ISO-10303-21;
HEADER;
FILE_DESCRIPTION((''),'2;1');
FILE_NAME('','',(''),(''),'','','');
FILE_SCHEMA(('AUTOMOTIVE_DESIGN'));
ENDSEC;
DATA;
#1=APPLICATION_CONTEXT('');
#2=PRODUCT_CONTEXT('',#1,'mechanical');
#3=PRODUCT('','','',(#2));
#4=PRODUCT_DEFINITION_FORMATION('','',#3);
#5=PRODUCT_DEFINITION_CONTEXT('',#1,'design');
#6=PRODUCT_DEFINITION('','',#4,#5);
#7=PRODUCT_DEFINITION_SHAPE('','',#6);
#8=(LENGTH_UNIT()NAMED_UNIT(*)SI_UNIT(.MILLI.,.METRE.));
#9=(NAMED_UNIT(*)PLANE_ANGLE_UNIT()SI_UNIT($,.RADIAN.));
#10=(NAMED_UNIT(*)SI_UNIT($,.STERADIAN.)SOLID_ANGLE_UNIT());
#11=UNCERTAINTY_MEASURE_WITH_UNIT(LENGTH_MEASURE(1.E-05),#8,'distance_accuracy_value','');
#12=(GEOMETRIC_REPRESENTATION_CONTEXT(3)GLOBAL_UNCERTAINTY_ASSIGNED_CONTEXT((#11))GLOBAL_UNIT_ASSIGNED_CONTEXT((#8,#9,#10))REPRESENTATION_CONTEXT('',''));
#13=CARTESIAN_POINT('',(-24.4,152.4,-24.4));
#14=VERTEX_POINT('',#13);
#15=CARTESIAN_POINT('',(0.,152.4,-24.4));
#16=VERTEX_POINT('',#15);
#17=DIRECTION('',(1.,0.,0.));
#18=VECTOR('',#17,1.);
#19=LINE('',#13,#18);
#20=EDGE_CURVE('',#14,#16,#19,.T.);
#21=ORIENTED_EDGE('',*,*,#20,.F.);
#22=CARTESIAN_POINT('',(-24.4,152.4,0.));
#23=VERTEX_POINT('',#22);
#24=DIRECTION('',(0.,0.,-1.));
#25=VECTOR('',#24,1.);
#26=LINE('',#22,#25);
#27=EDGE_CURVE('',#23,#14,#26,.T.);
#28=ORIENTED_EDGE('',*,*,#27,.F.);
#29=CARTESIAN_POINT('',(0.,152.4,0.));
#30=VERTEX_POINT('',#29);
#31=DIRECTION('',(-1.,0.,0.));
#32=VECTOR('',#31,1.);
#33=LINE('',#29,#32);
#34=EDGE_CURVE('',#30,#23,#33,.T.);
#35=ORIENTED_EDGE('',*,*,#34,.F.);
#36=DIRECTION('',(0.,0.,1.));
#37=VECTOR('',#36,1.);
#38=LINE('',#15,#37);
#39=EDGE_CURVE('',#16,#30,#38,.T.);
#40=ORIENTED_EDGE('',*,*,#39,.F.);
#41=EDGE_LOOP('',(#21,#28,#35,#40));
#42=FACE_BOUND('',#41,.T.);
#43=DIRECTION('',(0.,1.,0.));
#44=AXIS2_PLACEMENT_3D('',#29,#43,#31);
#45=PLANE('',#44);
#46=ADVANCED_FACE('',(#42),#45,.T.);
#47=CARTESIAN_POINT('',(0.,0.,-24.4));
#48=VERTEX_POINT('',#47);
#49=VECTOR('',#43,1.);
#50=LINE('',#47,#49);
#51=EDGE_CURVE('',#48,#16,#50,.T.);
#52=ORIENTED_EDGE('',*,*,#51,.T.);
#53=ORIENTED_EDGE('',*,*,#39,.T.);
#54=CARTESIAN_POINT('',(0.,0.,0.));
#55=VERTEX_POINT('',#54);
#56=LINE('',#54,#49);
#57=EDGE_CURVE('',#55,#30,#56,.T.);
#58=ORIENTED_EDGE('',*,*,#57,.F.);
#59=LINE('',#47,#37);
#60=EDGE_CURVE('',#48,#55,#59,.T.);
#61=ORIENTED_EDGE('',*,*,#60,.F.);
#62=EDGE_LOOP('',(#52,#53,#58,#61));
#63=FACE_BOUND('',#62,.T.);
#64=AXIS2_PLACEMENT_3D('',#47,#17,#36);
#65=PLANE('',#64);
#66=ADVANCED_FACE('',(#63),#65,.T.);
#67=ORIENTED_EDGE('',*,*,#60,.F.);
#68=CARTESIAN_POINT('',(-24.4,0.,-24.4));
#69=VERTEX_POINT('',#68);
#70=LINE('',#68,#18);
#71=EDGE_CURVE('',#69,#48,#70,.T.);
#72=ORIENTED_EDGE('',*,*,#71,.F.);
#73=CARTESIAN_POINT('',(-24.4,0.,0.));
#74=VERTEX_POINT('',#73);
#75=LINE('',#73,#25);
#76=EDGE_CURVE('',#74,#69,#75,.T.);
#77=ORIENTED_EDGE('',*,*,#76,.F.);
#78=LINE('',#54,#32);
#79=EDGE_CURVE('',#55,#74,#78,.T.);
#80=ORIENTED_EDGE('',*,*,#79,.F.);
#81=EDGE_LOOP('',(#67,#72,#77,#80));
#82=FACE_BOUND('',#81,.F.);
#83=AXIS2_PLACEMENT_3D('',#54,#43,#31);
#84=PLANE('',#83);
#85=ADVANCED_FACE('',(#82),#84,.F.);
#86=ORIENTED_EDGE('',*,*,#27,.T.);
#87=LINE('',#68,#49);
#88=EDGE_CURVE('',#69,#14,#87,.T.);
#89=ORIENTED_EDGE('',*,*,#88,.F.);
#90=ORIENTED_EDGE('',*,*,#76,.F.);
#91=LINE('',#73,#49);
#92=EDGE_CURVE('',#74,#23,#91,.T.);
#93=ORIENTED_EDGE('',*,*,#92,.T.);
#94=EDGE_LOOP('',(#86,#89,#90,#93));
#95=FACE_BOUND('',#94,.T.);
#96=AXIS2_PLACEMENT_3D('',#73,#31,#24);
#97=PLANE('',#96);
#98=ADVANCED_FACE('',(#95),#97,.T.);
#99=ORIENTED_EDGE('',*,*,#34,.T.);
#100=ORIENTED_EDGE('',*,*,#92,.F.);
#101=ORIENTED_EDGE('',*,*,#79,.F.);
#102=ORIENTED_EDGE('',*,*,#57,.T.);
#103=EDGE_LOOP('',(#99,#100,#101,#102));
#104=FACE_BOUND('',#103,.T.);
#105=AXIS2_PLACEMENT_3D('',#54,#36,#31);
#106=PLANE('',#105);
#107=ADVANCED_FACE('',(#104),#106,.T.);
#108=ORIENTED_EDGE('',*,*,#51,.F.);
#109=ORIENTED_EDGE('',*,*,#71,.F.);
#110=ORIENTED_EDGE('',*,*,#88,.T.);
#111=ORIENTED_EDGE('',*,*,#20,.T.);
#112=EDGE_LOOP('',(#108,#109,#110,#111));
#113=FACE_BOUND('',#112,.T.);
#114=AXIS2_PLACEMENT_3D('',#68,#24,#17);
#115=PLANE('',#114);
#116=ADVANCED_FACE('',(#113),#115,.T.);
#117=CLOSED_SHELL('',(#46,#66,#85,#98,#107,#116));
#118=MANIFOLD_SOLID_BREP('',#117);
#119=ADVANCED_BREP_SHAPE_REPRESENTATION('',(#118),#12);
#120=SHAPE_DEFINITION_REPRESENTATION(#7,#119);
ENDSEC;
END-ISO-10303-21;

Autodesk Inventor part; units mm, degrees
ref_plane "YZ Plane" through (0, 0, 0) normal (1, 0, 0) x (0, 1, 0)
ref_plane "XZ Plane" through (0, 0, 0) normal (0, 1, 0) x (-1, 0, 0)
ref_plane "XY Plane" through (0, 0, 0) normal (0, 0, 1) x (1, 0, 0)
sketch "Sketch1" plane through (0, 0, 0) normal (0, 1, 0) x (-1, 0, 0)
  line L0 (0, 0) -> (24.4, 0)
  line L1 (24.4, 0) -> (24.4, -24.4)
  line L2 (24.4, -24.4) -> (0, -24.4)
  line L3 (0, -24.4) -> (0, 0)
  dimension "d0" = 24.4
  dimension "d1" = 24.4
extrude "Extrusion1" add sketch "Sketch1" along normal blind 152.4
properties part number "Attachment_Shaft"
